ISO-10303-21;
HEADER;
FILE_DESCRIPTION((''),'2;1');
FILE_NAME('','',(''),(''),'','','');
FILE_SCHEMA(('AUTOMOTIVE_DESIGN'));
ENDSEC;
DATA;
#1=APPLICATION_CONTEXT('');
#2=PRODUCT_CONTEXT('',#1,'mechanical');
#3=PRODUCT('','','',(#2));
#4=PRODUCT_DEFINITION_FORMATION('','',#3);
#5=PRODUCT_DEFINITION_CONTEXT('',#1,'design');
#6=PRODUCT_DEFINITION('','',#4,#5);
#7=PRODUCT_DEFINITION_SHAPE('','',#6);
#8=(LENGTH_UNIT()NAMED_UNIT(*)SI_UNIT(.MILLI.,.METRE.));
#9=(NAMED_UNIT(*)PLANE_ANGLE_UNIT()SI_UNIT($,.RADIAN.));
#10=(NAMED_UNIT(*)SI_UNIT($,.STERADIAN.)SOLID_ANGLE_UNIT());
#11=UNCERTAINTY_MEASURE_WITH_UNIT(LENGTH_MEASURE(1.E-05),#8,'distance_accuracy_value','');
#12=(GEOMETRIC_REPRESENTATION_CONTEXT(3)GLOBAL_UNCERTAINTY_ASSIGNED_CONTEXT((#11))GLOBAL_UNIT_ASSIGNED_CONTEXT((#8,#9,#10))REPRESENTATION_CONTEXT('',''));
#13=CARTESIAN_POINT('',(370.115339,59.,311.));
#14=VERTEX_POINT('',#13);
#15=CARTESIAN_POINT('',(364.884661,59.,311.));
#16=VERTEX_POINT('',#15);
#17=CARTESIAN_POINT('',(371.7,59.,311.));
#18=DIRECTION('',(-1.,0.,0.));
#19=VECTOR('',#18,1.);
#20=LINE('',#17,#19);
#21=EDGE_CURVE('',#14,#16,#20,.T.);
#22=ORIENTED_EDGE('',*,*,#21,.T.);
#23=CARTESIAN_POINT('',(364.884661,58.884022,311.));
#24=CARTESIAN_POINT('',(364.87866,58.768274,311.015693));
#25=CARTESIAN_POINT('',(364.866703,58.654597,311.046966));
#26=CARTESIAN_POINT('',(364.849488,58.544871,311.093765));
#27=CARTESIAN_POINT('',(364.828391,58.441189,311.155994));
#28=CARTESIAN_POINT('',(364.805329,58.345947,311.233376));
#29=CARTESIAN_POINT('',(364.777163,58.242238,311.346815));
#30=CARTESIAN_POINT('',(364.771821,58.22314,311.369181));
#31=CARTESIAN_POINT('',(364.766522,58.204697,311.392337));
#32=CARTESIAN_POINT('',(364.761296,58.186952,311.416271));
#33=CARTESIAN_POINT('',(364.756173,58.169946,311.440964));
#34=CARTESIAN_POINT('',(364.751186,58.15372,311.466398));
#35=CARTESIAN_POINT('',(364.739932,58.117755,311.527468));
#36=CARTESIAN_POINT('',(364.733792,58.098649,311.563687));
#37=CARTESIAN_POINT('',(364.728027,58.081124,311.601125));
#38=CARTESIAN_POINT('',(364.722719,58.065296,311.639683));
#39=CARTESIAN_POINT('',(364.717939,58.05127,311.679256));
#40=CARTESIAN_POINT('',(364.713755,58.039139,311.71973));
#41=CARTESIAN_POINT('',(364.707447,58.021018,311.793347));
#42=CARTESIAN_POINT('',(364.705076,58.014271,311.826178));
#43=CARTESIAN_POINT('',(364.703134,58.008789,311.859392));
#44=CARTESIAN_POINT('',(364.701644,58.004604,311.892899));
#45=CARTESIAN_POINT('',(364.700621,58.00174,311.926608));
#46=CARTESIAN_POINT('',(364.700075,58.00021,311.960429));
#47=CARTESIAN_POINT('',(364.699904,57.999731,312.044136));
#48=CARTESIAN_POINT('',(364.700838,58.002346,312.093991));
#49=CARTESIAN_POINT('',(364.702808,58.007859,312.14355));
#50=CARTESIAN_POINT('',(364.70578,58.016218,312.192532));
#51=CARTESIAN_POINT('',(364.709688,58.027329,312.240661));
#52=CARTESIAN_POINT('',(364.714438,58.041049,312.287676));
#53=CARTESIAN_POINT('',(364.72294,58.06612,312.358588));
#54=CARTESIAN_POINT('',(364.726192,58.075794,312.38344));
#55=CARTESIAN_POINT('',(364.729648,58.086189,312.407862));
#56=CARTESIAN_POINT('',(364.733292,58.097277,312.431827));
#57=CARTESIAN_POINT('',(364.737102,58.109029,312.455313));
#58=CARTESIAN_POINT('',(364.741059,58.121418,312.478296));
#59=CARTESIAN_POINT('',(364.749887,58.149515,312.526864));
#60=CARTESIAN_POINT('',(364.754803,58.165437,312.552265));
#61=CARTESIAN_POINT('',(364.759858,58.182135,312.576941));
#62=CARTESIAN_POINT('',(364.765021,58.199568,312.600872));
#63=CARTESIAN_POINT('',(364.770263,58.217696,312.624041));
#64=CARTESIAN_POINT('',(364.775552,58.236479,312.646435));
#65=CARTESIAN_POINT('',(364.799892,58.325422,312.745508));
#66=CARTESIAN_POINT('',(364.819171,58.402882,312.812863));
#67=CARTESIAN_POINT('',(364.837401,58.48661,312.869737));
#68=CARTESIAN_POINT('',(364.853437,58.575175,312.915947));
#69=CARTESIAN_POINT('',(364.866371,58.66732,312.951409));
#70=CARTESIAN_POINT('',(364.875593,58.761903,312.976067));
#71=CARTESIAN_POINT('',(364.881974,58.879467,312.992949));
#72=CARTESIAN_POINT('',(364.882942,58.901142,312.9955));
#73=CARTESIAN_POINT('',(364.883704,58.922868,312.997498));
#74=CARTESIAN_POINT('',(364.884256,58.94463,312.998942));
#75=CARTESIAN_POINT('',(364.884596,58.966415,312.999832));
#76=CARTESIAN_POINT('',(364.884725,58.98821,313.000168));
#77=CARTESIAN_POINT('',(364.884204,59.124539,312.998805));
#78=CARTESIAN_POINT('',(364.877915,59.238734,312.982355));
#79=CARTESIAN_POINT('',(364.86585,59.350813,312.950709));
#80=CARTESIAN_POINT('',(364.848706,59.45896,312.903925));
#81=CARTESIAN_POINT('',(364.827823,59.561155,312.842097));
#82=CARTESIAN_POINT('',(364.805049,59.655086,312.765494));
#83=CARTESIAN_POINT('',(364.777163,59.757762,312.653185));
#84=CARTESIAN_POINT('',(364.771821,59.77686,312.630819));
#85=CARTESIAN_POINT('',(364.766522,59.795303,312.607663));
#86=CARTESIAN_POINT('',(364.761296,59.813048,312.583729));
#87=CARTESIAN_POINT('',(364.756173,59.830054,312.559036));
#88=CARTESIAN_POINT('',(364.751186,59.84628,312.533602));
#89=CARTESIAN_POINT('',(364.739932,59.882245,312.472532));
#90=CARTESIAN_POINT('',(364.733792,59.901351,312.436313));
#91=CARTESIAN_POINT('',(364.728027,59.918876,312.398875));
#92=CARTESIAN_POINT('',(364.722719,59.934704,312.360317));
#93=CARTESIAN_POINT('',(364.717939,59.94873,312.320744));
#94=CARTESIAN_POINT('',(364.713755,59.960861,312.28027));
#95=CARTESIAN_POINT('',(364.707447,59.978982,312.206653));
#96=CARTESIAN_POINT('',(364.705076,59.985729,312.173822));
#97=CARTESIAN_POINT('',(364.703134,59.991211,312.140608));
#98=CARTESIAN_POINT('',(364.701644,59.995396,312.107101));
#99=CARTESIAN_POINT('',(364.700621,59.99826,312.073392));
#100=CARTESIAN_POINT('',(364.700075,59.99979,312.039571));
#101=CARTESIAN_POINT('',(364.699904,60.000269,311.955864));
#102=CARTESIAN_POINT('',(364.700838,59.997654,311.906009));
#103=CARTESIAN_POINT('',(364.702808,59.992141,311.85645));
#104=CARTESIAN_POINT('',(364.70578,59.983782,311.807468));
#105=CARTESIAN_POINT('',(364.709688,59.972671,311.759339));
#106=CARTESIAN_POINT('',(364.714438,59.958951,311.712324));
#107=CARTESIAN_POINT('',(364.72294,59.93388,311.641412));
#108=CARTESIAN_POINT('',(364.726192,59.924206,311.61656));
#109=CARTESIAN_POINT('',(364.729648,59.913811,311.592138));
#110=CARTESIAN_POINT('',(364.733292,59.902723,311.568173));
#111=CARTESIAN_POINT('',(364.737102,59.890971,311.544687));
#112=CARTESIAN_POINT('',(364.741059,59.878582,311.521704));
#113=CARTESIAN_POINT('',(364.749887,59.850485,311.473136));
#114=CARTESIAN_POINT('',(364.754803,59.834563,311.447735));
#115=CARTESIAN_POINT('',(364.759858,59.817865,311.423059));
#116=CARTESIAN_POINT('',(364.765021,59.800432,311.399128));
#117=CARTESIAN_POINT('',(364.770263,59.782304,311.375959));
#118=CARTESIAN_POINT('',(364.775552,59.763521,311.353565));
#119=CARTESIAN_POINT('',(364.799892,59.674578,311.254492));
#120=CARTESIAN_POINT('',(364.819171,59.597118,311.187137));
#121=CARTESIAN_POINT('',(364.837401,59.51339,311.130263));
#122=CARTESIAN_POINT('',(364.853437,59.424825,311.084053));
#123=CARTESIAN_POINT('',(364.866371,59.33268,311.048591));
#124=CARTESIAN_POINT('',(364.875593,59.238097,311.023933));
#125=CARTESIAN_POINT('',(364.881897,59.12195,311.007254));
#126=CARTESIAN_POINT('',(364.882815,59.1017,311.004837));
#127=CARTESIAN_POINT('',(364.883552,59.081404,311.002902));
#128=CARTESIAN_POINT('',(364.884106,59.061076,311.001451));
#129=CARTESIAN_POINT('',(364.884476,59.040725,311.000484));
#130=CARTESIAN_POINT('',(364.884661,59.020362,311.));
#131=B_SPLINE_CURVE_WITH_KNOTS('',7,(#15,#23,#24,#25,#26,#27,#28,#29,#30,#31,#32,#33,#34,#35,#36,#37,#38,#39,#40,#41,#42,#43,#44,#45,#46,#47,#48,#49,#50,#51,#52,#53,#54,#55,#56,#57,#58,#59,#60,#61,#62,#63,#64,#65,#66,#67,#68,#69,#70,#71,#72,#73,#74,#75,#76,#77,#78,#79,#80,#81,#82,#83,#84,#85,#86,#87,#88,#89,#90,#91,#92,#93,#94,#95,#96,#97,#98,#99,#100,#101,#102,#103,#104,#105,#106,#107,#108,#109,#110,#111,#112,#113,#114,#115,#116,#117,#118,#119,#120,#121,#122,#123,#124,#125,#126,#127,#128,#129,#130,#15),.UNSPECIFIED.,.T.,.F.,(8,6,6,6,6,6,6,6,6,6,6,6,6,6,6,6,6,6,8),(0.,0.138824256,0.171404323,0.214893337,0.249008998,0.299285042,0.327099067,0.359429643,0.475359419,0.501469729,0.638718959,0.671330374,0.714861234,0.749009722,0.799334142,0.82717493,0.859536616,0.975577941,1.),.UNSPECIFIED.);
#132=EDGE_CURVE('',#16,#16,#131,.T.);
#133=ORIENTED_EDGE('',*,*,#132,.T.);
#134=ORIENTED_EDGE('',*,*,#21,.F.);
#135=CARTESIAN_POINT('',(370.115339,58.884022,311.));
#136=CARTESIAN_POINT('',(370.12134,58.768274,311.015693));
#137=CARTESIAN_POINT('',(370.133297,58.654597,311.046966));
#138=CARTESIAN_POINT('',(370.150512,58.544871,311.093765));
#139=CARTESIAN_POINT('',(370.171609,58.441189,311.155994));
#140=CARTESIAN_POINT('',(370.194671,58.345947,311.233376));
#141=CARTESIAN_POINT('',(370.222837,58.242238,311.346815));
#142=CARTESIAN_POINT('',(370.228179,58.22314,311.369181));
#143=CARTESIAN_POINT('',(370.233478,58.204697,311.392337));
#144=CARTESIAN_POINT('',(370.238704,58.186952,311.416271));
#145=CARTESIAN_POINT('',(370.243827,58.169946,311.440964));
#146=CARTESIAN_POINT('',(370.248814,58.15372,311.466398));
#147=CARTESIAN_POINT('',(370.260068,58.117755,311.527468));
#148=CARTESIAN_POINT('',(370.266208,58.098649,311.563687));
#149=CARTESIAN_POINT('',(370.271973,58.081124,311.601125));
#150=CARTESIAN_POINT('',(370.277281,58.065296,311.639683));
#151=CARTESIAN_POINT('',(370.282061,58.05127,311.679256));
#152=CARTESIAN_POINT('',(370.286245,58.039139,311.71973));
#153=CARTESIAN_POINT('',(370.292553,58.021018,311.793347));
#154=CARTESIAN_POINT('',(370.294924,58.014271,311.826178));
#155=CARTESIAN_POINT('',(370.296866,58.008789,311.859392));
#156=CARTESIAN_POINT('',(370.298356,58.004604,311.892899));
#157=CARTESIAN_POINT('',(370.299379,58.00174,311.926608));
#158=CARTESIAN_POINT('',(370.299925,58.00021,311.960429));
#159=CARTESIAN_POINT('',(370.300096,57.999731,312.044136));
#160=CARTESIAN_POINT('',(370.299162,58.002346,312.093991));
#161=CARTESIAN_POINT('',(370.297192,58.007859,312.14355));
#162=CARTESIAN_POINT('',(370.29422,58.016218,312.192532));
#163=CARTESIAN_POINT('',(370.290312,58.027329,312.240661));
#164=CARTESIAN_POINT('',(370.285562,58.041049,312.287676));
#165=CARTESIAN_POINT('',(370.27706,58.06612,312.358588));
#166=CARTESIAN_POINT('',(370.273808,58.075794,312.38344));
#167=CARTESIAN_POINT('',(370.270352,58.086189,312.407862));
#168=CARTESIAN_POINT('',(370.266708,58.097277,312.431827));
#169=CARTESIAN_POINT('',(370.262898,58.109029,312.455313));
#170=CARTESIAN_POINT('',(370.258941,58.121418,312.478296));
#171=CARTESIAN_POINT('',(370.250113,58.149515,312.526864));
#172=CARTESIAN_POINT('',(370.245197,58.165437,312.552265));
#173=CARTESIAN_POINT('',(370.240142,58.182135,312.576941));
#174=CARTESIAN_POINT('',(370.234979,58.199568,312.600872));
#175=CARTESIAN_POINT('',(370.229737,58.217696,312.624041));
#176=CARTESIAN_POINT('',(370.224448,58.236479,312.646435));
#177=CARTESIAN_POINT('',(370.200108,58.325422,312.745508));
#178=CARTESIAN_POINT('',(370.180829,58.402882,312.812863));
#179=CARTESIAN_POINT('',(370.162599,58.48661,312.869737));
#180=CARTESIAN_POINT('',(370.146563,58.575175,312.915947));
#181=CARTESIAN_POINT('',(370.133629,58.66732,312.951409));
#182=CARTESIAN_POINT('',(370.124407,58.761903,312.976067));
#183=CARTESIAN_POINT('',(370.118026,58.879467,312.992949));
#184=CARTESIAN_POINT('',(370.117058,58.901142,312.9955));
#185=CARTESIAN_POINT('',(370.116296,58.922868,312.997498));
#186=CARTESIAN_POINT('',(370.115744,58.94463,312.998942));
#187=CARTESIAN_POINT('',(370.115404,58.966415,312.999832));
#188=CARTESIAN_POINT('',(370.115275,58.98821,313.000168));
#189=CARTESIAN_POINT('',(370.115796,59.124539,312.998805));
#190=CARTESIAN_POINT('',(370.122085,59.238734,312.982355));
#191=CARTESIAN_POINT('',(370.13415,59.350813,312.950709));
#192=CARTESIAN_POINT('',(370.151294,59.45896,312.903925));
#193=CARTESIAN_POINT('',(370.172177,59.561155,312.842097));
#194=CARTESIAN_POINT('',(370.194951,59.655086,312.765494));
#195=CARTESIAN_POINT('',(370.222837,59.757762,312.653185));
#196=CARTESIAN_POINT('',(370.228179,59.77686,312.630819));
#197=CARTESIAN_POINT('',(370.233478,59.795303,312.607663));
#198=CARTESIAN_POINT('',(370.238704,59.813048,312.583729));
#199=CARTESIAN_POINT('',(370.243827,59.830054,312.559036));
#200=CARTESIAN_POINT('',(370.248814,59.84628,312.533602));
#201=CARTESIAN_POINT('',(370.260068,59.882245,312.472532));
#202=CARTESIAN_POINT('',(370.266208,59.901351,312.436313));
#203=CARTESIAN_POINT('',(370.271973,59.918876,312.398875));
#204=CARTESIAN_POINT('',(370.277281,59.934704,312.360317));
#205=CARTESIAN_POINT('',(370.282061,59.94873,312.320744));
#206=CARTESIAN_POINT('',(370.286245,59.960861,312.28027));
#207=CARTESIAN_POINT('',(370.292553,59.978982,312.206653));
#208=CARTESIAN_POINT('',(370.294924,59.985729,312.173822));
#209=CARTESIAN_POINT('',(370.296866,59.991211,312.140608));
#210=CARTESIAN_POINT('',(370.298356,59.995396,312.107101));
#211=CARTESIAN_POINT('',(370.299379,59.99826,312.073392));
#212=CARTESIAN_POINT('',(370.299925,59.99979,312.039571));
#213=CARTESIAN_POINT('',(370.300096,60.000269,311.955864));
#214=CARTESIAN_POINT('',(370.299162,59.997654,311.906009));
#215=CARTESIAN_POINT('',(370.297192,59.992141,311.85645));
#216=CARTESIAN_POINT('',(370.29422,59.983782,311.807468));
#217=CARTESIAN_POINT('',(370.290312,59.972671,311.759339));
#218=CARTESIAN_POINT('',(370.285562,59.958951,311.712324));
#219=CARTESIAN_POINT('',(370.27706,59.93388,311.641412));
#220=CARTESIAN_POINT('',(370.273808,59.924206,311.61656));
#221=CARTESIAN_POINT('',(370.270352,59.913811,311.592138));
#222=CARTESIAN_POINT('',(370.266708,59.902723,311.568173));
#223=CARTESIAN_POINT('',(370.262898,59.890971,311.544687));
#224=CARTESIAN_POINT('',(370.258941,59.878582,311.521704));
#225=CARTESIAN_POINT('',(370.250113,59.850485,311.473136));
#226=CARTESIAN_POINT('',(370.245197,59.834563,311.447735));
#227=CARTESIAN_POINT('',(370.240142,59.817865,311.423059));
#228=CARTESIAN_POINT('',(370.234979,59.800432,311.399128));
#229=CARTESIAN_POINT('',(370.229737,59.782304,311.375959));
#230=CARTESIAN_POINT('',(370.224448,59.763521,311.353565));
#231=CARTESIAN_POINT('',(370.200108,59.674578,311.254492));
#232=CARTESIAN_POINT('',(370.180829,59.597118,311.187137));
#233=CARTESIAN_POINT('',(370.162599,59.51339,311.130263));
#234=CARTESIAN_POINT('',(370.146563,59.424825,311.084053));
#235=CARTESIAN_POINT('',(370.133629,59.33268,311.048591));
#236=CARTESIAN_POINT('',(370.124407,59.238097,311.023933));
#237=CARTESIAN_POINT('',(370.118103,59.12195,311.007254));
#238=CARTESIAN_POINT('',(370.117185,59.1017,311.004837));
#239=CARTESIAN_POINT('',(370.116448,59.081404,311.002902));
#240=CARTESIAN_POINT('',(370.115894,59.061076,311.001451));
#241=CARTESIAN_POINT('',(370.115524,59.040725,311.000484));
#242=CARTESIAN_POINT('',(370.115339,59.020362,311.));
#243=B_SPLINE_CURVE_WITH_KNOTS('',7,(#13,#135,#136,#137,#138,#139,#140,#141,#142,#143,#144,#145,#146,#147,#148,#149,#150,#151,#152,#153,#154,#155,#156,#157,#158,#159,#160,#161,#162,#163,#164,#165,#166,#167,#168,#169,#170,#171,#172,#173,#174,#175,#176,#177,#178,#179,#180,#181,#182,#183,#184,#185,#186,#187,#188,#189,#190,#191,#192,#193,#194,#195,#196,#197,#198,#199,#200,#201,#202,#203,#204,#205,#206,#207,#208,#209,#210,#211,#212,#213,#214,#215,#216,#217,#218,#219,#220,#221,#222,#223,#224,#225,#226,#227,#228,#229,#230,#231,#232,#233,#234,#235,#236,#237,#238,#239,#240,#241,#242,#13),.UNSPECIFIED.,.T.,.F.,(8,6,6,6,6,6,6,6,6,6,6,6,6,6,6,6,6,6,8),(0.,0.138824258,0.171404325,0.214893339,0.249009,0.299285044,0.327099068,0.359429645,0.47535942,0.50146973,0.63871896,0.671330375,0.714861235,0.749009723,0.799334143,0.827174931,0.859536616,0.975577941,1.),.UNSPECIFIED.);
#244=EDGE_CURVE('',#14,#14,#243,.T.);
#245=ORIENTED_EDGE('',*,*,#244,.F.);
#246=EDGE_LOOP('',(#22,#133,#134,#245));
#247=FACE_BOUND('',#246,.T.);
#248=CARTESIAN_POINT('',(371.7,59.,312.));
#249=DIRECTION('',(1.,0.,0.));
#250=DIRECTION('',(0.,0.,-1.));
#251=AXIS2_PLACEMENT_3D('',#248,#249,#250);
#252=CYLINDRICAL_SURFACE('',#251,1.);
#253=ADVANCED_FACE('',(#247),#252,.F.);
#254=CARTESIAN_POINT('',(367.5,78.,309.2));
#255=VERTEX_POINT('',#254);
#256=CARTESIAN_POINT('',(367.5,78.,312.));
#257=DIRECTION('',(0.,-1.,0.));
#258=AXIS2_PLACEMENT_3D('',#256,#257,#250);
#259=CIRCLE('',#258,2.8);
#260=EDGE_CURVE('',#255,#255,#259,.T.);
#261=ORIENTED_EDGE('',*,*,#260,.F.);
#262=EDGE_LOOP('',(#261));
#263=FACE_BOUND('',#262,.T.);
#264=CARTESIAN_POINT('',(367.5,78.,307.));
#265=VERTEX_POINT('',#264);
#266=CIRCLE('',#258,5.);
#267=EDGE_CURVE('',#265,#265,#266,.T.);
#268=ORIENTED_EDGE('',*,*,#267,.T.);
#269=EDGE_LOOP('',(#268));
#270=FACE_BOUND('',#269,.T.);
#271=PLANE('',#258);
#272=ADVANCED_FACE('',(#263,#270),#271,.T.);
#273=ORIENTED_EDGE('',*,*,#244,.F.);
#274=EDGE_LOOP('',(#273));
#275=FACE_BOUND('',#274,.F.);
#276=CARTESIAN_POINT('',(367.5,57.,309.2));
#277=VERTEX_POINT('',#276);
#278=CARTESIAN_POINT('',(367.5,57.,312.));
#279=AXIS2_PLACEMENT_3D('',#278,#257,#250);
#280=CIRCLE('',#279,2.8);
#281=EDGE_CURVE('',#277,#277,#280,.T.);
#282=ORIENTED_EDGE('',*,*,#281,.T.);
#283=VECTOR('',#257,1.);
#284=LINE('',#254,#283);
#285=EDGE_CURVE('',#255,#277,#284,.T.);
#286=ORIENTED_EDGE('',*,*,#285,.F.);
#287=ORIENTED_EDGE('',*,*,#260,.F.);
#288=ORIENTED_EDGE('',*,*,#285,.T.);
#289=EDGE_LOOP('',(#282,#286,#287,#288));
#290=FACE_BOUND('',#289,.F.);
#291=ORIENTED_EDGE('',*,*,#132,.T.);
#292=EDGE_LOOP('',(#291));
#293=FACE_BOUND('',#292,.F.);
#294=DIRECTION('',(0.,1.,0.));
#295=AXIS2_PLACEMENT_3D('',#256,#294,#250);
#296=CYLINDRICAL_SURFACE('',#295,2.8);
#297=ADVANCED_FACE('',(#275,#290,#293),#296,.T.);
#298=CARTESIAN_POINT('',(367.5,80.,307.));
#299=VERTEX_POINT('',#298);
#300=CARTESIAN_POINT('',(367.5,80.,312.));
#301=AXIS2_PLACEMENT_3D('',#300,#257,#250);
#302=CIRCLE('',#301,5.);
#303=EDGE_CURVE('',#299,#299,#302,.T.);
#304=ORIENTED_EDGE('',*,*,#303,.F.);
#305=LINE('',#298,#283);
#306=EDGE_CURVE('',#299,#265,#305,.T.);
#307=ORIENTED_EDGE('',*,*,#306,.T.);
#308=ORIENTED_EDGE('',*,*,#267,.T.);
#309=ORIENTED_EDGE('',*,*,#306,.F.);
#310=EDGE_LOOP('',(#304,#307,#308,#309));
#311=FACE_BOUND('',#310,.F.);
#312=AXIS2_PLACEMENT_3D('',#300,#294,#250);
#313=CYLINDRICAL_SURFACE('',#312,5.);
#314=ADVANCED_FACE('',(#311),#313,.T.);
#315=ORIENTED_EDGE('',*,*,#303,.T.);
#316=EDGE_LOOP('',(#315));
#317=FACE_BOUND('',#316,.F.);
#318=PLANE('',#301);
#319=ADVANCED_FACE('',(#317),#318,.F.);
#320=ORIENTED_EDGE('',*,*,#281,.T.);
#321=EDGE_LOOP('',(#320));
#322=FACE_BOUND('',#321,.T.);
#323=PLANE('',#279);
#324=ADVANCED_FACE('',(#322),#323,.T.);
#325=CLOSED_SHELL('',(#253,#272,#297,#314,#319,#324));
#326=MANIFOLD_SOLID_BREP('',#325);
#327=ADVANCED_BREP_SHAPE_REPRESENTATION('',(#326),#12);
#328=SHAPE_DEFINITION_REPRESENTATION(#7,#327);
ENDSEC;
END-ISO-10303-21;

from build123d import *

# Parameters (mm, degrees)
SKETCH017_R            = 1
PAD017_DEPTH           = 10
CYLINDER032_R          = 2.8
CYLINDER032_DEPTH      = 21
CYLINDER033_R          = 5
CYLINDER033_DEPTH      = 2
CUT015_PITCH_ANGLE     = 90
CUT015_PLACEMENT_ANGLE = -90


with BuildPart() as pad017:
    # Sketch017 → Pad017 (new body)
    with BuildSketch(Plane(origin=(0, 4.2, 21), x_dir=(1, 0, 0), z_dir=(0, -1, 0))):
        Circle(SKETCH017_R)
    extrude(amount=PAD017_DEPTH)


with BuildPart() as eje001:
    # Cylinder032 → Cylinder032 (new body)
    with BuildSketch(Plane.XY.offset(2)):
        Circle(CYLINDER032_R)
    extrude(amount=CYLINDER032_DEPTH)


with BuildPart() as eje_full1:
    # Cylinder033 → Cylinder033 (new body)
    with BuildSketch(Plane.XY):
        Circle(CYLINDER033_R)
    extrude(amount=CYLINDER033_DEPTH)

    # Fusion009003019: union Eje001
    add(eje001.part)

    # Cut015: cut Pad017
    add(pad017.part, mode=Mode.SUBTRACT)


with BuildPart() as eje_full1_1:
    # Cut015 pitch: moved
    add(eje_full1.part.rotate(Axis((0, 0, 0), (0, 1, 0)), CUT015_PITCH_ANGLE))


with BuildPart() as eje_full1_2:
    # Cut015 placement: moved
    add(eje_full1_1.part.moved(Location((367.5, 80, 312))).rotate(Axis((367.5, 80, 312), (0, 0, 1)), CUT015_PLACEMENT_ANGLE))


solid = eje_full1_2.part
